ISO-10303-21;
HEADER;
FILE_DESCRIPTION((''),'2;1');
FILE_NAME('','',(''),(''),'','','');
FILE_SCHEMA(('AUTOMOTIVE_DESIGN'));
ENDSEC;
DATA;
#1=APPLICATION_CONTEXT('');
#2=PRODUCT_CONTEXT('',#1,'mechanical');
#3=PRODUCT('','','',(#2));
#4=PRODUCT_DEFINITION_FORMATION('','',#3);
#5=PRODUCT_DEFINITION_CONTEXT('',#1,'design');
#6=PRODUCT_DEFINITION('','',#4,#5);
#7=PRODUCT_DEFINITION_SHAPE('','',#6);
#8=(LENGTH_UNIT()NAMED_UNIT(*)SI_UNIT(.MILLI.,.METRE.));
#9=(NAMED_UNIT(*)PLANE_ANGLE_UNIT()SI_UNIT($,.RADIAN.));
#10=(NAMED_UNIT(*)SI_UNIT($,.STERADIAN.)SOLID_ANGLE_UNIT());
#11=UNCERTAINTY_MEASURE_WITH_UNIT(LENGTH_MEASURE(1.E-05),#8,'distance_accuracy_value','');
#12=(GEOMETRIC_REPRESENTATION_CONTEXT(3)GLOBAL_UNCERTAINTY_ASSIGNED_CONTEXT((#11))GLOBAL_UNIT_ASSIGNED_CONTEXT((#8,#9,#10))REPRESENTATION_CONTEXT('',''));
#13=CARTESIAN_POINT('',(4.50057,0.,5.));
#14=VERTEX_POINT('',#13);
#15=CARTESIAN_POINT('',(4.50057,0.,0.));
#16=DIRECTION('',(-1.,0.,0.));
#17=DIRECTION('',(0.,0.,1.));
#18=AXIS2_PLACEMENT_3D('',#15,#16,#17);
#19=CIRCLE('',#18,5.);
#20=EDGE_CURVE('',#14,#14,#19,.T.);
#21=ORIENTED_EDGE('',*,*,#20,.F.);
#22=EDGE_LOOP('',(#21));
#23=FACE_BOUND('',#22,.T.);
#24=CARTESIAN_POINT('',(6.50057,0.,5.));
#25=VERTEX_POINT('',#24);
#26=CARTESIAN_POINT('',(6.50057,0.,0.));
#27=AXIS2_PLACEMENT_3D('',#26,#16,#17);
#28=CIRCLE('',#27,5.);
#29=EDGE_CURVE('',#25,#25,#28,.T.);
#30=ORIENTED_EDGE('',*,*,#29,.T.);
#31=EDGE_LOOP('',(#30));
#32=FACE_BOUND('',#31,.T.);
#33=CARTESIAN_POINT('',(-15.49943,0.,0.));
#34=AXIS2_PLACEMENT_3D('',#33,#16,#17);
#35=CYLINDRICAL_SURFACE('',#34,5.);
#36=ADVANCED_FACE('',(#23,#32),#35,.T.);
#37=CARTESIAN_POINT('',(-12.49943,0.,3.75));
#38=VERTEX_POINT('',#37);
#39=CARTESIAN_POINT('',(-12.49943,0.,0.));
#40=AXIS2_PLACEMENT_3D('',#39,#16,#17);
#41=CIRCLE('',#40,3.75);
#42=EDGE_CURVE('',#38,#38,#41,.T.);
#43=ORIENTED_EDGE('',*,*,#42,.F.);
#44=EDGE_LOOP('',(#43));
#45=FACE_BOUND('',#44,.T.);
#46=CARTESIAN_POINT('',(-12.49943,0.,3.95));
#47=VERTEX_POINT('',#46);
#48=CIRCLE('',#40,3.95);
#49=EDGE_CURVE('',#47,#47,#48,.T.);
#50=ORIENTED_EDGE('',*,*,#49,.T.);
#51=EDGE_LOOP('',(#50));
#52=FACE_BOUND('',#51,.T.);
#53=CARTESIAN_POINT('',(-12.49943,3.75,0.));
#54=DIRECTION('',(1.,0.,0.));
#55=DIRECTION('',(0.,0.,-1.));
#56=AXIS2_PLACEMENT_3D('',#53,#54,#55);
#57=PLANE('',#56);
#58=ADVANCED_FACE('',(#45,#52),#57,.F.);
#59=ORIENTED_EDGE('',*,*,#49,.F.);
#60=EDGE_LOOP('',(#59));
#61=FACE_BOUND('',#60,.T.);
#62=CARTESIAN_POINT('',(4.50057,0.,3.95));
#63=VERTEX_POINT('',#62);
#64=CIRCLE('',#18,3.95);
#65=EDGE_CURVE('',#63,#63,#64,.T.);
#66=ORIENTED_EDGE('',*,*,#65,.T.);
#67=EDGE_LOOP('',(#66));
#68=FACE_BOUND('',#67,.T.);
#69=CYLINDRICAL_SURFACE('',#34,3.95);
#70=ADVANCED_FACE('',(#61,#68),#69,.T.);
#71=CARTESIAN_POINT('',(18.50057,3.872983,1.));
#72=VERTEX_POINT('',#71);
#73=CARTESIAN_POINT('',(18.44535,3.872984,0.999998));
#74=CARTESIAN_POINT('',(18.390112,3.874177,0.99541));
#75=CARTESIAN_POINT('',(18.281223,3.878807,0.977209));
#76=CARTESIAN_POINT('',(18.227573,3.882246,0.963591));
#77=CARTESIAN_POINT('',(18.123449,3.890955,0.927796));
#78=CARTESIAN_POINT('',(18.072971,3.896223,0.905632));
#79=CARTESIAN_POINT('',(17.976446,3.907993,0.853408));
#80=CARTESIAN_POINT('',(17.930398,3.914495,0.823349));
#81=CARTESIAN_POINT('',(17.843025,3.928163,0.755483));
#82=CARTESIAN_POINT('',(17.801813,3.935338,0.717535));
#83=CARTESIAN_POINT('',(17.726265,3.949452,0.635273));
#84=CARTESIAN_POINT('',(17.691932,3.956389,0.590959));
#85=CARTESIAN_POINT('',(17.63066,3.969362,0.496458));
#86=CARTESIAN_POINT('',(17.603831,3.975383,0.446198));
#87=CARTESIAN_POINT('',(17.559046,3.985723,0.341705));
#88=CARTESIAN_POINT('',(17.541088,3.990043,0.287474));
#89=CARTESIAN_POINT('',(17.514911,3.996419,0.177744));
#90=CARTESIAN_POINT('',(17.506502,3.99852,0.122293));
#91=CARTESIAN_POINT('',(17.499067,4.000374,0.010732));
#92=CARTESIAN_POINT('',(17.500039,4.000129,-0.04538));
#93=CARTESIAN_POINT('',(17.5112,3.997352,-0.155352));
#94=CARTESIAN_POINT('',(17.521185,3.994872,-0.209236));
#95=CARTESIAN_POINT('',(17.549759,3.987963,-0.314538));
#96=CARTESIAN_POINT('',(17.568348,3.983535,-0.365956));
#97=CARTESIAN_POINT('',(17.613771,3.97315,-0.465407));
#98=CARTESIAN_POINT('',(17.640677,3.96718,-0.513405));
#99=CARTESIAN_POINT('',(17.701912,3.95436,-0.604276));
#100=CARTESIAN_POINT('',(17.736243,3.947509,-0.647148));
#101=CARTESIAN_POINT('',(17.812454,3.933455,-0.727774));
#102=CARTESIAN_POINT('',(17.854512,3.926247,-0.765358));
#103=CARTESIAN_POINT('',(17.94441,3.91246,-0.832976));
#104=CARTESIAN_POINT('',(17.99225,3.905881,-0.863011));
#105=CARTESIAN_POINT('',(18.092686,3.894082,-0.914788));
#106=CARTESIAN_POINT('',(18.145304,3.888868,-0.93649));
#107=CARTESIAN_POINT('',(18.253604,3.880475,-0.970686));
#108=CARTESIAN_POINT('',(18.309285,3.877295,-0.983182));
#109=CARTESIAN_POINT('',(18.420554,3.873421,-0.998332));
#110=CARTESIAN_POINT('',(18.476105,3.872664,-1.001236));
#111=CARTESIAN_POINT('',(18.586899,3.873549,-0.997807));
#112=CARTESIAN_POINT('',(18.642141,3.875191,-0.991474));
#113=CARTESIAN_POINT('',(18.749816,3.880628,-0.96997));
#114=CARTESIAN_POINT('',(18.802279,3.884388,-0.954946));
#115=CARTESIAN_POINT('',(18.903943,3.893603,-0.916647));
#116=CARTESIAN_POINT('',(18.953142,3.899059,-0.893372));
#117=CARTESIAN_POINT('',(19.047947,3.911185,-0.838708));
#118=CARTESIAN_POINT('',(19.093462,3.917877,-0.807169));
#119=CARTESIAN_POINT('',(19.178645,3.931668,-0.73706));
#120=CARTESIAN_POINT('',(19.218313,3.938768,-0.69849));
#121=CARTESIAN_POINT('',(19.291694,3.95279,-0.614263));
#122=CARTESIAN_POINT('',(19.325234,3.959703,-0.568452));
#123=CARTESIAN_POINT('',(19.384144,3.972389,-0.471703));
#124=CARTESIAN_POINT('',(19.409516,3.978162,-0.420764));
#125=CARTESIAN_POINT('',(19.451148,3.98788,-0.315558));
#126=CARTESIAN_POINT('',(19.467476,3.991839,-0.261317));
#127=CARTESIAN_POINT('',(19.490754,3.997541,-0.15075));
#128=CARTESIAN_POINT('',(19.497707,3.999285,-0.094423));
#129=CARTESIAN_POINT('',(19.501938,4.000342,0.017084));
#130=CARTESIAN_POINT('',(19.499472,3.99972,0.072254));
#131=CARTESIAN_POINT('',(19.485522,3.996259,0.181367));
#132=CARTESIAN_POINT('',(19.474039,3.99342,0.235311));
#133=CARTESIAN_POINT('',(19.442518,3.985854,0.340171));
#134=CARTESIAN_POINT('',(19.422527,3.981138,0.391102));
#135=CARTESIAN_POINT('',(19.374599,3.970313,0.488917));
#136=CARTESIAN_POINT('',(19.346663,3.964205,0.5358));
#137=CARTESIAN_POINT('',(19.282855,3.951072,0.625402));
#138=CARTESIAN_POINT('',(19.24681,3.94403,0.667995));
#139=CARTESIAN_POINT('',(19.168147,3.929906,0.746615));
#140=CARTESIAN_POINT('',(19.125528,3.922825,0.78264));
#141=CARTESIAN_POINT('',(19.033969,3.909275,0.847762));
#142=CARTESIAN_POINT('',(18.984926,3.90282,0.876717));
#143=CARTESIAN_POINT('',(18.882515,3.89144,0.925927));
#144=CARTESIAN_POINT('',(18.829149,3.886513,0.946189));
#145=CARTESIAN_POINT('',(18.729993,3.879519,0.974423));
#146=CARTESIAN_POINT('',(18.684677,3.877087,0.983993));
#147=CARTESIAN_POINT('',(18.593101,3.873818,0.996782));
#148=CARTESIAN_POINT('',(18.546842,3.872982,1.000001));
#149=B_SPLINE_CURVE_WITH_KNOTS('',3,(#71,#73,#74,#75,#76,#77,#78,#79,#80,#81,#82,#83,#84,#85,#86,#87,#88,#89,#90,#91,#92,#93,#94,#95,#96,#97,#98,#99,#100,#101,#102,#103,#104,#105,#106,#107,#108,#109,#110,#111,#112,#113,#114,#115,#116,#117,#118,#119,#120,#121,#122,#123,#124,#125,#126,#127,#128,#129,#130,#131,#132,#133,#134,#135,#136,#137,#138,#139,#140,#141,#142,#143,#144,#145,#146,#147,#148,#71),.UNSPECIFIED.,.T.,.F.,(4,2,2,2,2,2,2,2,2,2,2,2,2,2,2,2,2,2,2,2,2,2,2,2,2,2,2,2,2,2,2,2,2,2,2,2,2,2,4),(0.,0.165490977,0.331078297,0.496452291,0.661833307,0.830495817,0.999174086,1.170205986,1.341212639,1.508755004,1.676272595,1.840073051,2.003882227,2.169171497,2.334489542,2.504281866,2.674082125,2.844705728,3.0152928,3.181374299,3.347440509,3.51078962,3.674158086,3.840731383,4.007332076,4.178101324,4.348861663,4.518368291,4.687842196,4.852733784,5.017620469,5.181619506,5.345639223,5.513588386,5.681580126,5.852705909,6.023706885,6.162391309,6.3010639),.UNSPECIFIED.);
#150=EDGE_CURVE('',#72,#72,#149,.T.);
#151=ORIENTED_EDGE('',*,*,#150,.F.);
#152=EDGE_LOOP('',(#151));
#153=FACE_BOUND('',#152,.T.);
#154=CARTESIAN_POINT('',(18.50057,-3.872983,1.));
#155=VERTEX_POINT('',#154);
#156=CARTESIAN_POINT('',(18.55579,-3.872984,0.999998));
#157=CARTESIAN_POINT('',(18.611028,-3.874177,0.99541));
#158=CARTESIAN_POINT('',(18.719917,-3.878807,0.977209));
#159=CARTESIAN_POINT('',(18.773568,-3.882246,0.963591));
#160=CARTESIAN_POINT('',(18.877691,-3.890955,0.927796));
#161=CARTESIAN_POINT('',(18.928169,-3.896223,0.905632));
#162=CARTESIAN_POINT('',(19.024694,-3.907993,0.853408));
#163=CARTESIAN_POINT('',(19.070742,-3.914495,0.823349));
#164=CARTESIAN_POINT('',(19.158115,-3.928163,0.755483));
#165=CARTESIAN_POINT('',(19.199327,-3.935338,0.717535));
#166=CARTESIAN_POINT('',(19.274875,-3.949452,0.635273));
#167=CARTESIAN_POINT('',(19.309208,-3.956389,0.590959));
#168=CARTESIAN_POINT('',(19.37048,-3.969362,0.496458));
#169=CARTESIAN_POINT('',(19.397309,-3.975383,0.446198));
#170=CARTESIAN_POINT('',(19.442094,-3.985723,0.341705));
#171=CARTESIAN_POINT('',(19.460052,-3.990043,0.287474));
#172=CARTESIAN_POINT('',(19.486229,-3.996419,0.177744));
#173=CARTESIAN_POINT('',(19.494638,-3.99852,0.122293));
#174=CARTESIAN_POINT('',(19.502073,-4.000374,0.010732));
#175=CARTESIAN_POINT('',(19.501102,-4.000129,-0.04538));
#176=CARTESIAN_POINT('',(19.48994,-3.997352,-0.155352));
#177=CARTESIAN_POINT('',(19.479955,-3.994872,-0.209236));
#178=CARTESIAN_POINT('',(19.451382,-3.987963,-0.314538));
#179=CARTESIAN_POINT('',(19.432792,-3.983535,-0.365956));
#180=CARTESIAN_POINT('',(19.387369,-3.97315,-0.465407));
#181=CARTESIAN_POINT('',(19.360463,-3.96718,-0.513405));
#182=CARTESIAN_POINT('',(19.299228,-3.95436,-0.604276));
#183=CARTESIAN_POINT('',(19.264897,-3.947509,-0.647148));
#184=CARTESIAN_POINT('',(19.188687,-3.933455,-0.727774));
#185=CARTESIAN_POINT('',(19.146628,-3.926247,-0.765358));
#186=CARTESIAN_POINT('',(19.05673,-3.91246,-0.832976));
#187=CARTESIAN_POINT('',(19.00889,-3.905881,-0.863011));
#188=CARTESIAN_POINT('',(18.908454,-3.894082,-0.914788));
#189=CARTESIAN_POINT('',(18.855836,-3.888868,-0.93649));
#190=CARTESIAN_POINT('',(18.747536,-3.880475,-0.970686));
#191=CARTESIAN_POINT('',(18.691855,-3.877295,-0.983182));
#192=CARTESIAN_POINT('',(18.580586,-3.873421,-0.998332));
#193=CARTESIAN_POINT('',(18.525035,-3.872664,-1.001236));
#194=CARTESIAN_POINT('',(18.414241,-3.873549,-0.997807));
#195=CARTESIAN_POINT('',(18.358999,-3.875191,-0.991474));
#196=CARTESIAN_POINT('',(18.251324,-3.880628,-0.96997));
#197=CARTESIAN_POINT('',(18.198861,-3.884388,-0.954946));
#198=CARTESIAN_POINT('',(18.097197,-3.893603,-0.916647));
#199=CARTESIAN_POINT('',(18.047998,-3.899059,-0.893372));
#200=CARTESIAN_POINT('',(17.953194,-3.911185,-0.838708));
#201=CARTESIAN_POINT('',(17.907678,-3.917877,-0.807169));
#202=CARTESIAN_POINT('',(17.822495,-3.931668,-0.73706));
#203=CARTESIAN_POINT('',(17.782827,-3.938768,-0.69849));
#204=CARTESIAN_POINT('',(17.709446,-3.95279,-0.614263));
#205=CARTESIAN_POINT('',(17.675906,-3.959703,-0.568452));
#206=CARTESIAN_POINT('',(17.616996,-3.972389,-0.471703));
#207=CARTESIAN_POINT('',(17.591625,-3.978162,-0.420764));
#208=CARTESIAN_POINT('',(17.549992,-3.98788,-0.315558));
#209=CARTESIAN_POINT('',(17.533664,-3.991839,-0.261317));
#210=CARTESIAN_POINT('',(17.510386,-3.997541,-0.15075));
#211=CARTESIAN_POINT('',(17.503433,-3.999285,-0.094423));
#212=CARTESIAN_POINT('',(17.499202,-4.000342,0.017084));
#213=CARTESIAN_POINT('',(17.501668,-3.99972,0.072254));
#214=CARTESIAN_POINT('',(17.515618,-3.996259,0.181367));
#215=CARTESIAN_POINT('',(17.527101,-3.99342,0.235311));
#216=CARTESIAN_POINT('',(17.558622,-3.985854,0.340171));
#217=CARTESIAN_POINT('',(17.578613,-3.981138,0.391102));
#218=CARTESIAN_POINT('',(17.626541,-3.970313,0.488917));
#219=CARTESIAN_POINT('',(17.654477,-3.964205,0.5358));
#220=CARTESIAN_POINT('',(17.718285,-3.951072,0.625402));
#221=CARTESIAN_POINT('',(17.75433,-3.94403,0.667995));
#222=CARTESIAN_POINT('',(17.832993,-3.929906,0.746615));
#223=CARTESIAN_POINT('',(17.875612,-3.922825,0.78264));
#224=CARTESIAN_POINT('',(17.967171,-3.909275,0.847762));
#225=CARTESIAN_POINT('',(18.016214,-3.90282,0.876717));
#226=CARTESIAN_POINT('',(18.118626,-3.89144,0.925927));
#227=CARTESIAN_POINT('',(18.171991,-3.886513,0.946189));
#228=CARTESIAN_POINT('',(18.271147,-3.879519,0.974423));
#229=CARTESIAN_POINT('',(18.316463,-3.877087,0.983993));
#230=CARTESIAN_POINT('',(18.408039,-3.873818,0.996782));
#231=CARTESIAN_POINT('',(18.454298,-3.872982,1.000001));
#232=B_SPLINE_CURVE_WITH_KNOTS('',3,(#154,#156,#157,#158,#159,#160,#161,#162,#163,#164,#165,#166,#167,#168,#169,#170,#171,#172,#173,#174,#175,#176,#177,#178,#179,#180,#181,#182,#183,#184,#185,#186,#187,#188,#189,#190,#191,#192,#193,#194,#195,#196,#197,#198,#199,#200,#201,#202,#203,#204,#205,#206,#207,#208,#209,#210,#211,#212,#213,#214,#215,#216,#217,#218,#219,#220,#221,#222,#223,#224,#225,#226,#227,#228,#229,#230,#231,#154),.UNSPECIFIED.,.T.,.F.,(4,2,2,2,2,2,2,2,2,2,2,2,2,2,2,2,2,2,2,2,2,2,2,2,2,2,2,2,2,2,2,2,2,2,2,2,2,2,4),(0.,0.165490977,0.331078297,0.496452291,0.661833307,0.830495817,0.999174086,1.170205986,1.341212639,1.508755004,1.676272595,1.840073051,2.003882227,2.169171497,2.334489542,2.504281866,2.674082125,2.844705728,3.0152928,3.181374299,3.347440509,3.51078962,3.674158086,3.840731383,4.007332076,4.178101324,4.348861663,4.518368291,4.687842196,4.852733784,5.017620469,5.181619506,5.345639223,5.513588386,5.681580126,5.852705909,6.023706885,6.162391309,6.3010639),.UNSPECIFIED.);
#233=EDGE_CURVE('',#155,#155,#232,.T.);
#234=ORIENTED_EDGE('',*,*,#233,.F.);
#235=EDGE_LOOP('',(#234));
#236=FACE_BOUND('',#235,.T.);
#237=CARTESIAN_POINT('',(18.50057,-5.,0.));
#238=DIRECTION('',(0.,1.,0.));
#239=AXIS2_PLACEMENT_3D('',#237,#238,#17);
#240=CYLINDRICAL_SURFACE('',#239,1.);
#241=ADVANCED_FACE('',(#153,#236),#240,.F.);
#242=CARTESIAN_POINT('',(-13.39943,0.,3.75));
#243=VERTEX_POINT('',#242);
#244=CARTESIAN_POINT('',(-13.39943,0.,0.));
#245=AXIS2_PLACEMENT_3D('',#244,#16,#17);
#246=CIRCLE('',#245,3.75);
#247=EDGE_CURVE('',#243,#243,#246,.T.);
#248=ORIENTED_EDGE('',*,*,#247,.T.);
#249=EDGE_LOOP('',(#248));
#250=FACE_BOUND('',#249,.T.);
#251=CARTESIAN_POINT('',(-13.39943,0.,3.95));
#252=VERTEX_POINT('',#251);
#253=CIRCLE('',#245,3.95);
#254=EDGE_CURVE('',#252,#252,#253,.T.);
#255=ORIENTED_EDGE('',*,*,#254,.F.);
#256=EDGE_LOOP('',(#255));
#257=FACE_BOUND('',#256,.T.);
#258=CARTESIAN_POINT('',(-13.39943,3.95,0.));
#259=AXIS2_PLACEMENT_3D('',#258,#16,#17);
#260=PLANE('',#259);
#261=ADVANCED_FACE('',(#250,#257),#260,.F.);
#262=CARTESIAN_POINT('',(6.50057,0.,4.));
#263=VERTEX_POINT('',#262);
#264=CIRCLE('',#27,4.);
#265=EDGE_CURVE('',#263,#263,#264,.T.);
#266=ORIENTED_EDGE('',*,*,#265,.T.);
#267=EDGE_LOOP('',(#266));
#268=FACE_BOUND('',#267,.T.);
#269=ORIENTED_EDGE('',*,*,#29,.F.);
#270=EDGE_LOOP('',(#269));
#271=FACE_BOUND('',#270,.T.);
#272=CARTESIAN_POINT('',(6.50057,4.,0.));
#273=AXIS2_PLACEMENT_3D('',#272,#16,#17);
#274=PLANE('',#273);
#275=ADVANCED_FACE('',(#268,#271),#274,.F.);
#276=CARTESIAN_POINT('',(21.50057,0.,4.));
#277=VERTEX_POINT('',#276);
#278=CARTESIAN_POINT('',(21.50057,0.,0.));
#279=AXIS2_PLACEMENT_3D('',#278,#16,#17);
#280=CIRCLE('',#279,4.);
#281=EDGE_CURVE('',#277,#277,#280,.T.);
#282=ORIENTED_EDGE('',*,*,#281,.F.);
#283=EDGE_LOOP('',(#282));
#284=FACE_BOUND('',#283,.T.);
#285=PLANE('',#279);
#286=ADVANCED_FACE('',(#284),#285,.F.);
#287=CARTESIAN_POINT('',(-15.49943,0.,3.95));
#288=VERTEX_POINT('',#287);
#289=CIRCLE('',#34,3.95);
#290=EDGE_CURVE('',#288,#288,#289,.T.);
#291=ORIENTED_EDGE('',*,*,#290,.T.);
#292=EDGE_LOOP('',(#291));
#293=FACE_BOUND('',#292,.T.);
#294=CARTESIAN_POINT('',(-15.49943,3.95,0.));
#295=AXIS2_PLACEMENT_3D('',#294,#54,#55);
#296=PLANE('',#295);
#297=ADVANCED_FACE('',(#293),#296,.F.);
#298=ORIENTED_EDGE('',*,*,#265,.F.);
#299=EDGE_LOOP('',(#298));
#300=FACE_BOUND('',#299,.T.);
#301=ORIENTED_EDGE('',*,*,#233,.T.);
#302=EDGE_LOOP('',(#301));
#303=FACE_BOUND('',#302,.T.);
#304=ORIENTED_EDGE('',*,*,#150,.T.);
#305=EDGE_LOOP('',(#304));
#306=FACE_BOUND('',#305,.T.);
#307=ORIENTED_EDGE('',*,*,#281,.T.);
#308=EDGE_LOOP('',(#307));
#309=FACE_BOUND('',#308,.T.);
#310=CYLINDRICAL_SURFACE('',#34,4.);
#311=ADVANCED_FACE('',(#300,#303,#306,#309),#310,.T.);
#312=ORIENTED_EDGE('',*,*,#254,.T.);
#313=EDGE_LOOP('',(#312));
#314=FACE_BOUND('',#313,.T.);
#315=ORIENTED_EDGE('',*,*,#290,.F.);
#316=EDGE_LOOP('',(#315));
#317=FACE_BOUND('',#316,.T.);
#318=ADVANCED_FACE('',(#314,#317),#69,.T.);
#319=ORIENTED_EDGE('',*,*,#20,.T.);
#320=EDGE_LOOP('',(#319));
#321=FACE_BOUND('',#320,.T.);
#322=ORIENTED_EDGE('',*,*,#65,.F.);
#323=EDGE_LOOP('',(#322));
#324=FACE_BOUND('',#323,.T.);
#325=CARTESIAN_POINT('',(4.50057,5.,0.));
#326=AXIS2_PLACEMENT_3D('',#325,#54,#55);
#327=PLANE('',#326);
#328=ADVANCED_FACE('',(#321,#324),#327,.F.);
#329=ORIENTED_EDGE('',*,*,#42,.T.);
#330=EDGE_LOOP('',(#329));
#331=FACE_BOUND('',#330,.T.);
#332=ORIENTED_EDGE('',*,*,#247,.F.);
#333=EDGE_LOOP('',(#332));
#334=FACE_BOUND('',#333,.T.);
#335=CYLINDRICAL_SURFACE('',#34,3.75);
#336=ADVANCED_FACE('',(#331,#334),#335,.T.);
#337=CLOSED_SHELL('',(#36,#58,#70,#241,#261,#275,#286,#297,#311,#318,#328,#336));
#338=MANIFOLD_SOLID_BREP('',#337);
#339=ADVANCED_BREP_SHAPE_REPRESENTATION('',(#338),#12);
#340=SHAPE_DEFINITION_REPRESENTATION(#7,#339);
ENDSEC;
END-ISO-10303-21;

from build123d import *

# Parameters (mm, degrees)
SKETCH_2_R          = 1
CUT_EXTRUDE_1_DEPTH = 5


with BuildPart() as part:
    # 草图1 → 旋转1 (revolve)
    with BuildSketch(Plane.XY):
        Polygon((-15.499429975, 0), (21.500570025, 0), (21.500570025, 4), (6.500570025, 4), (6.500570025, 5), (4.500570025, 5), (4.500570025, 3.95), (-12.499429975, 3.95), (-12.499429975, 3.75), (-13.399429975, 3.75), (-13.399429975, 3.95), (-15.499429975, 3.95), align=None)
    revolve(axis=Axis((-15.499429975, 0, 0), (1, 0, 0)))

    # 草图2 → 切除-拉伸1 (cut, symmetric)
    with BuildSketch(Plane(origin=(0, 0, 0), x_dir=(1, 0, 0), z_dir=(0, 1, 0))):
        with Locations((18.500570025, 0)):
            Circle(SKETCH_2_R)
    extrude(amount=CUT_EXTRUDE_1_DEPTH, both=True, mode=Mode.SUBTRACT)


solid = part.part
